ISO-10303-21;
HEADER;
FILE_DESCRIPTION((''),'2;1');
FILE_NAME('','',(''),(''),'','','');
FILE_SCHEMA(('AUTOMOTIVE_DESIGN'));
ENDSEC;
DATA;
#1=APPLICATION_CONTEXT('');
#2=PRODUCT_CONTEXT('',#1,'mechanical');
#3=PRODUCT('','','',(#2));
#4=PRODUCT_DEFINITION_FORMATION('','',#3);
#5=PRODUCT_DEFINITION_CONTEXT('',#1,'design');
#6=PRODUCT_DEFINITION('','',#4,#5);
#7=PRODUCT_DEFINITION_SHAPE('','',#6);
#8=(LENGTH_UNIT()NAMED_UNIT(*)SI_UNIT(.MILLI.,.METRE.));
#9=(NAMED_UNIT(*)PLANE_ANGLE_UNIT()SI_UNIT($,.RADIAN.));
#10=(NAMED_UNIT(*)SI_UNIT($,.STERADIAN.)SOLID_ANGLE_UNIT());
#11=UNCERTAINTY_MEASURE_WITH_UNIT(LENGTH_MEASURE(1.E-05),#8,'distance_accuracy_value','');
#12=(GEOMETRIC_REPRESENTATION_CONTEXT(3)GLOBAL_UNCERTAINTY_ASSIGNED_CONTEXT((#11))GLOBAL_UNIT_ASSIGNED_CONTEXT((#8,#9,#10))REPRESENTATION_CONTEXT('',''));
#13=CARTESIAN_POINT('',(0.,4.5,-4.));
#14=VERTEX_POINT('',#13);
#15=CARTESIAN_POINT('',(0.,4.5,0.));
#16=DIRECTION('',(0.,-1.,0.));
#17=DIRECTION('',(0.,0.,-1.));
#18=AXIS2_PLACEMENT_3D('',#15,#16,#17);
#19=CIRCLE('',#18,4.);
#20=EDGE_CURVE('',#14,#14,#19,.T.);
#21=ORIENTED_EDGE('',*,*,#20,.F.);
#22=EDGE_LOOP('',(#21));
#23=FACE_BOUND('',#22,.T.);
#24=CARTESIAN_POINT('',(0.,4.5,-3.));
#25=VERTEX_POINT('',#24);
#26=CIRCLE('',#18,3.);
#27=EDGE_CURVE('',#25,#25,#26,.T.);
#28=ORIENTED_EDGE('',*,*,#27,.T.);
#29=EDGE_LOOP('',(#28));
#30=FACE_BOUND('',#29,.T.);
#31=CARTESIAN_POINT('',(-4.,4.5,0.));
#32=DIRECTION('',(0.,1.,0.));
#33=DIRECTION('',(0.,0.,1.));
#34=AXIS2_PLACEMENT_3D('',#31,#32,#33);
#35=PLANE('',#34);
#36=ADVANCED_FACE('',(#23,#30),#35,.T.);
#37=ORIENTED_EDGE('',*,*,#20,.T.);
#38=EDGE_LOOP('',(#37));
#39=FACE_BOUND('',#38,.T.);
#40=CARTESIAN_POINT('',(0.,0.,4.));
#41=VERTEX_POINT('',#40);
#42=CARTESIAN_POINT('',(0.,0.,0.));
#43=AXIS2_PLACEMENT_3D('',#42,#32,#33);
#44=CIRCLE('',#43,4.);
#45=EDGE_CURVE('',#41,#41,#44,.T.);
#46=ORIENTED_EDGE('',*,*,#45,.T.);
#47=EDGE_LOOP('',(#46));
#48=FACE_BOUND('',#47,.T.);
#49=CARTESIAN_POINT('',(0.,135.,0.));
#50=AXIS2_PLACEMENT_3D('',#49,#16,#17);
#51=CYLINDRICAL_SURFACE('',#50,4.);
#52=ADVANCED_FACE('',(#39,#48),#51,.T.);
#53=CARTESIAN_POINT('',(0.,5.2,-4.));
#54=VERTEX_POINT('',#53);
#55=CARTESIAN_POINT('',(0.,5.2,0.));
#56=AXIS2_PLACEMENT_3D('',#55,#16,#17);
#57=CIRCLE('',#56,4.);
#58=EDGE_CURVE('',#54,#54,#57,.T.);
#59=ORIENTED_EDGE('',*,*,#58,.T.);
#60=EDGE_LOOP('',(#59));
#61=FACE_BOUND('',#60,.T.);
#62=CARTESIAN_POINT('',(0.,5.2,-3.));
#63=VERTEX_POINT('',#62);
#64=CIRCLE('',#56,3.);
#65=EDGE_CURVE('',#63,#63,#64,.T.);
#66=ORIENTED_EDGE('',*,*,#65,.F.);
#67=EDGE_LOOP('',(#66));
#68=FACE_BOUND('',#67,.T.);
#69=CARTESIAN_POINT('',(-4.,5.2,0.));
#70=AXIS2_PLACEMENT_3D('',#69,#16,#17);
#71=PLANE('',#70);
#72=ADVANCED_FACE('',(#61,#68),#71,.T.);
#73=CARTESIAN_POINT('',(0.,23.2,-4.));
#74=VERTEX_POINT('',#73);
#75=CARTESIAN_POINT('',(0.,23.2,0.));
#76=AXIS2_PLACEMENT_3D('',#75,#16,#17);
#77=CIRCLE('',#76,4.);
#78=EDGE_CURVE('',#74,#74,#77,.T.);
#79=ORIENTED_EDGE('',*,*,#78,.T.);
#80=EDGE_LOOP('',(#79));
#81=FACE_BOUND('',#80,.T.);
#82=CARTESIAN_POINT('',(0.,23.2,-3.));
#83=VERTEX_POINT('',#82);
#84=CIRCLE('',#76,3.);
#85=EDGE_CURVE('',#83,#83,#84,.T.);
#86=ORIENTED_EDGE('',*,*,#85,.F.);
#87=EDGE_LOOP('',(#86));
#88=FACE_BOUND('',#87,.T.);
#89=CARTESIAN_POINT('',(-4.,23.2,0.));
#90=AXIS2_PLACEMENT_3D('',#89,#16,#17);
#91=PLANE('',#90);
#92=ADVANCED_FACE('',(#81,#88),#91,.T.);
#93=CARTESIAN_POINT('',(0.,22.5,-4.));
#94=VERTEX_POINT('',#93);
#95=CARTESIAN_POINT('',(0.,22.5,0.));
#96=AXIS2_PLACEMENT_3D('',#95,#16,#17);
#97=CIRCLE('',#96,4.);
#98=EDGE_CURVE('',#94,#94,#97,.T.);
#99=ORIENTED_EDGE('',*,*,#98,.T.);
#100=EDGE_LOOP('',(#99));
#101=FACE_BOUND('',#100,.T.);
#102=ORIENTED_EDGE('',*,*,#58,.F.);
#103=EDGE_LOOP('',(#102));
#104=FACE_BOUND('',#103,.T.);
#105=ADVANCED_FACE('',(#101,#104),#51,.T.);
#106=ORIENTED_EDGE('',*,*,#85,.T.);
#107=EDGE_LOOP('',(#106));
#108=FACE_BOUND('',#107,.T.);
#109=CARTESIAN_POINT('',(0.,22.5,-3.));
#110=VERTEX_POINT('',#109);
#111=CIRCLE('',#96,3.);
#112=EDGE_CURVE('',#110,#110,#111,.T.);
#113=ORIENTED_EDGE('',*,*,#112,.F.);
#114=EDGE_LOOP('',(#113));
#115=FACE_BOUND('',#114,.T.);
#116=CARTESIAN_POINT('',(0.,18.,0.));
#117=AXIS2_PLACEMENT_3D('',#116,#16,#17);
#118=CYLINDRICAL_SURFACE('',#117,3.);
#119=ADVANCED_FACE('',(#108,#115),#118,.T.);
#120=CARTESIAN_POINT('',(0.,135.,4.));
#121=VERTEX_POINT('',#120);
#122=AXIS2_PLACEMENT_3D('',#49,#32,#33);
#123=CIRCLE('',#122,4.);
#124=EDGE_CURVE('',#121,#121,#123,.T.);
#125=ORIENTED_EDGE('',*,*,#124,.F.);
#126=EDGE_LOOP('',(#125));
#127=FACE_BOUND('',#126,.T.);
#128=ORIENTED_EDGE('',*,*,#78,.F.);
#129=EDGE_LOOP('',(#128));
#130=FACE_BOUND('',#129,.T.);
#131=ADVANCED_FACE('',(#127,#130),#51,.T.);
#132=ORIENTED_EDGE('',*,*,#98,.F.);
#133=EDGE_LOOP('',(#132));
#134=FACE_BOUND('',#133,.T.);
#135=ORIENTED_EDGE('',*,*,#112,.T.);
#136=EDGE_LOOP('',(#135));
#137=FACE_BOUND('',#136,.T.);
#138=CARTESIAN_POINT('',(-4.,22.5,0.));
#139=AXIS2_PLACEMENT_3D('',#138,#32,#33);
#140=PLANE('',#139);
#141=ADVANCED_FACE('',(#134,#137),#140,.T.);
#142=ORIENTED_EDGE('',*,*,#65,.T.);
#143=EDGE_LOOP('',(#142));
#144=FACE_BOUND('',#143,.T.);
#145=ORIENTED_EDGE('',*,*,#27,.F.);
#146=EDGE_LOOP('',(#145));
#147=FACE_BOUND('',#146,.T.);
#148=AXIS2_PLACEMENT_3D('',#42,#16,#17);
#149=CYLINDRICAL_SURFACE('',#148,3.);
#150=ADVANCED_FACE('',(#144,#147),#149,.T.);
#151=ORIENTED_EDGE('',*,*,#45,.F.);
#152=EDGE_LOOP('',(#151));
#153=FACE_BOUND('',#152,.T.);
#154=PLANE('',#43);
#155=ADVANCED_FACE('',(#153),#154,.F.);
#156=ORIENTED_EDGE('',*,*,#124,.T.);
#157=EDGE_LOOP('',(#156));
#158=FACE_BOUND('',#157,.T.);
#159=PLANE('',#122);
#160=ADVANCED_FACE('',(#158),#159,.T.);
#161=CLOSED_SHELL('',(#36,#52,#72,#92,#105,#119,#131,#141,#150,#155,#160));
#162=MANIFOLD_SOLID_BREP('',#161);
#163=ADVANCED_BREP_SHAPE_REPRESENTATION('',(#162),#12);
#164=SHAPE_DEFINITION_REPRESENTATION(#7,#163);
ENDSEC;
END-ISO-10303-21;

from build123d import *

# Parameters (mm, degrees)
SKETCH1_R           = 4
BOSS_EXTRUDE1_DEPTH = 135
SKETCH2_W           = 1
SKETCH2_H           = 0.7
LPATTERN1_COUNT     = 2
LPATTERN1_PITCH     = 18


with BuildPart() as part:
    # Sketch1 → Boss-Extrude1 (new body)
    with BuildSketch(Plane(origin=(0, 0, 0), x_dir=(1, 0, 0), z_dir=(0, 1, 0))):
        with Locations(Location((0, 0, 0), (0, 0, 270))):
            Circle(SKETCH1_R)
    extrude(amount=BOSS_EXTRUDE1_DEPTH)

    # Sketch2 → Cut-Revolve1 (revolve, cut)
    with BuildSketch(Plane.XY, mode=Mode.PRIVATE) as cut_revolve1_sk:
        with Locations((-3.5, 4.85)):
            Rectangle(SKETCH2_W, SKETCH2_H)
    cut_revolve1 = revolve(cut_revolve1_sk.sketch.rotate(Axis((0, 0, 0), (0, 1, 0)), 270), axis=Axis((0, 0, 0), (0, 1, 0)), mode=Mode.SUBTRACT)

    # LPattern1: Cut-Revolve1 ×2
    with Locations(*[(0, i * LPATTERN1_PITCH, 0) for i in range(1, LPATTERN1_COUNT)]):
        add(cut_revolve1, mode=Mode.SUBTRACT)


solid = part.part
